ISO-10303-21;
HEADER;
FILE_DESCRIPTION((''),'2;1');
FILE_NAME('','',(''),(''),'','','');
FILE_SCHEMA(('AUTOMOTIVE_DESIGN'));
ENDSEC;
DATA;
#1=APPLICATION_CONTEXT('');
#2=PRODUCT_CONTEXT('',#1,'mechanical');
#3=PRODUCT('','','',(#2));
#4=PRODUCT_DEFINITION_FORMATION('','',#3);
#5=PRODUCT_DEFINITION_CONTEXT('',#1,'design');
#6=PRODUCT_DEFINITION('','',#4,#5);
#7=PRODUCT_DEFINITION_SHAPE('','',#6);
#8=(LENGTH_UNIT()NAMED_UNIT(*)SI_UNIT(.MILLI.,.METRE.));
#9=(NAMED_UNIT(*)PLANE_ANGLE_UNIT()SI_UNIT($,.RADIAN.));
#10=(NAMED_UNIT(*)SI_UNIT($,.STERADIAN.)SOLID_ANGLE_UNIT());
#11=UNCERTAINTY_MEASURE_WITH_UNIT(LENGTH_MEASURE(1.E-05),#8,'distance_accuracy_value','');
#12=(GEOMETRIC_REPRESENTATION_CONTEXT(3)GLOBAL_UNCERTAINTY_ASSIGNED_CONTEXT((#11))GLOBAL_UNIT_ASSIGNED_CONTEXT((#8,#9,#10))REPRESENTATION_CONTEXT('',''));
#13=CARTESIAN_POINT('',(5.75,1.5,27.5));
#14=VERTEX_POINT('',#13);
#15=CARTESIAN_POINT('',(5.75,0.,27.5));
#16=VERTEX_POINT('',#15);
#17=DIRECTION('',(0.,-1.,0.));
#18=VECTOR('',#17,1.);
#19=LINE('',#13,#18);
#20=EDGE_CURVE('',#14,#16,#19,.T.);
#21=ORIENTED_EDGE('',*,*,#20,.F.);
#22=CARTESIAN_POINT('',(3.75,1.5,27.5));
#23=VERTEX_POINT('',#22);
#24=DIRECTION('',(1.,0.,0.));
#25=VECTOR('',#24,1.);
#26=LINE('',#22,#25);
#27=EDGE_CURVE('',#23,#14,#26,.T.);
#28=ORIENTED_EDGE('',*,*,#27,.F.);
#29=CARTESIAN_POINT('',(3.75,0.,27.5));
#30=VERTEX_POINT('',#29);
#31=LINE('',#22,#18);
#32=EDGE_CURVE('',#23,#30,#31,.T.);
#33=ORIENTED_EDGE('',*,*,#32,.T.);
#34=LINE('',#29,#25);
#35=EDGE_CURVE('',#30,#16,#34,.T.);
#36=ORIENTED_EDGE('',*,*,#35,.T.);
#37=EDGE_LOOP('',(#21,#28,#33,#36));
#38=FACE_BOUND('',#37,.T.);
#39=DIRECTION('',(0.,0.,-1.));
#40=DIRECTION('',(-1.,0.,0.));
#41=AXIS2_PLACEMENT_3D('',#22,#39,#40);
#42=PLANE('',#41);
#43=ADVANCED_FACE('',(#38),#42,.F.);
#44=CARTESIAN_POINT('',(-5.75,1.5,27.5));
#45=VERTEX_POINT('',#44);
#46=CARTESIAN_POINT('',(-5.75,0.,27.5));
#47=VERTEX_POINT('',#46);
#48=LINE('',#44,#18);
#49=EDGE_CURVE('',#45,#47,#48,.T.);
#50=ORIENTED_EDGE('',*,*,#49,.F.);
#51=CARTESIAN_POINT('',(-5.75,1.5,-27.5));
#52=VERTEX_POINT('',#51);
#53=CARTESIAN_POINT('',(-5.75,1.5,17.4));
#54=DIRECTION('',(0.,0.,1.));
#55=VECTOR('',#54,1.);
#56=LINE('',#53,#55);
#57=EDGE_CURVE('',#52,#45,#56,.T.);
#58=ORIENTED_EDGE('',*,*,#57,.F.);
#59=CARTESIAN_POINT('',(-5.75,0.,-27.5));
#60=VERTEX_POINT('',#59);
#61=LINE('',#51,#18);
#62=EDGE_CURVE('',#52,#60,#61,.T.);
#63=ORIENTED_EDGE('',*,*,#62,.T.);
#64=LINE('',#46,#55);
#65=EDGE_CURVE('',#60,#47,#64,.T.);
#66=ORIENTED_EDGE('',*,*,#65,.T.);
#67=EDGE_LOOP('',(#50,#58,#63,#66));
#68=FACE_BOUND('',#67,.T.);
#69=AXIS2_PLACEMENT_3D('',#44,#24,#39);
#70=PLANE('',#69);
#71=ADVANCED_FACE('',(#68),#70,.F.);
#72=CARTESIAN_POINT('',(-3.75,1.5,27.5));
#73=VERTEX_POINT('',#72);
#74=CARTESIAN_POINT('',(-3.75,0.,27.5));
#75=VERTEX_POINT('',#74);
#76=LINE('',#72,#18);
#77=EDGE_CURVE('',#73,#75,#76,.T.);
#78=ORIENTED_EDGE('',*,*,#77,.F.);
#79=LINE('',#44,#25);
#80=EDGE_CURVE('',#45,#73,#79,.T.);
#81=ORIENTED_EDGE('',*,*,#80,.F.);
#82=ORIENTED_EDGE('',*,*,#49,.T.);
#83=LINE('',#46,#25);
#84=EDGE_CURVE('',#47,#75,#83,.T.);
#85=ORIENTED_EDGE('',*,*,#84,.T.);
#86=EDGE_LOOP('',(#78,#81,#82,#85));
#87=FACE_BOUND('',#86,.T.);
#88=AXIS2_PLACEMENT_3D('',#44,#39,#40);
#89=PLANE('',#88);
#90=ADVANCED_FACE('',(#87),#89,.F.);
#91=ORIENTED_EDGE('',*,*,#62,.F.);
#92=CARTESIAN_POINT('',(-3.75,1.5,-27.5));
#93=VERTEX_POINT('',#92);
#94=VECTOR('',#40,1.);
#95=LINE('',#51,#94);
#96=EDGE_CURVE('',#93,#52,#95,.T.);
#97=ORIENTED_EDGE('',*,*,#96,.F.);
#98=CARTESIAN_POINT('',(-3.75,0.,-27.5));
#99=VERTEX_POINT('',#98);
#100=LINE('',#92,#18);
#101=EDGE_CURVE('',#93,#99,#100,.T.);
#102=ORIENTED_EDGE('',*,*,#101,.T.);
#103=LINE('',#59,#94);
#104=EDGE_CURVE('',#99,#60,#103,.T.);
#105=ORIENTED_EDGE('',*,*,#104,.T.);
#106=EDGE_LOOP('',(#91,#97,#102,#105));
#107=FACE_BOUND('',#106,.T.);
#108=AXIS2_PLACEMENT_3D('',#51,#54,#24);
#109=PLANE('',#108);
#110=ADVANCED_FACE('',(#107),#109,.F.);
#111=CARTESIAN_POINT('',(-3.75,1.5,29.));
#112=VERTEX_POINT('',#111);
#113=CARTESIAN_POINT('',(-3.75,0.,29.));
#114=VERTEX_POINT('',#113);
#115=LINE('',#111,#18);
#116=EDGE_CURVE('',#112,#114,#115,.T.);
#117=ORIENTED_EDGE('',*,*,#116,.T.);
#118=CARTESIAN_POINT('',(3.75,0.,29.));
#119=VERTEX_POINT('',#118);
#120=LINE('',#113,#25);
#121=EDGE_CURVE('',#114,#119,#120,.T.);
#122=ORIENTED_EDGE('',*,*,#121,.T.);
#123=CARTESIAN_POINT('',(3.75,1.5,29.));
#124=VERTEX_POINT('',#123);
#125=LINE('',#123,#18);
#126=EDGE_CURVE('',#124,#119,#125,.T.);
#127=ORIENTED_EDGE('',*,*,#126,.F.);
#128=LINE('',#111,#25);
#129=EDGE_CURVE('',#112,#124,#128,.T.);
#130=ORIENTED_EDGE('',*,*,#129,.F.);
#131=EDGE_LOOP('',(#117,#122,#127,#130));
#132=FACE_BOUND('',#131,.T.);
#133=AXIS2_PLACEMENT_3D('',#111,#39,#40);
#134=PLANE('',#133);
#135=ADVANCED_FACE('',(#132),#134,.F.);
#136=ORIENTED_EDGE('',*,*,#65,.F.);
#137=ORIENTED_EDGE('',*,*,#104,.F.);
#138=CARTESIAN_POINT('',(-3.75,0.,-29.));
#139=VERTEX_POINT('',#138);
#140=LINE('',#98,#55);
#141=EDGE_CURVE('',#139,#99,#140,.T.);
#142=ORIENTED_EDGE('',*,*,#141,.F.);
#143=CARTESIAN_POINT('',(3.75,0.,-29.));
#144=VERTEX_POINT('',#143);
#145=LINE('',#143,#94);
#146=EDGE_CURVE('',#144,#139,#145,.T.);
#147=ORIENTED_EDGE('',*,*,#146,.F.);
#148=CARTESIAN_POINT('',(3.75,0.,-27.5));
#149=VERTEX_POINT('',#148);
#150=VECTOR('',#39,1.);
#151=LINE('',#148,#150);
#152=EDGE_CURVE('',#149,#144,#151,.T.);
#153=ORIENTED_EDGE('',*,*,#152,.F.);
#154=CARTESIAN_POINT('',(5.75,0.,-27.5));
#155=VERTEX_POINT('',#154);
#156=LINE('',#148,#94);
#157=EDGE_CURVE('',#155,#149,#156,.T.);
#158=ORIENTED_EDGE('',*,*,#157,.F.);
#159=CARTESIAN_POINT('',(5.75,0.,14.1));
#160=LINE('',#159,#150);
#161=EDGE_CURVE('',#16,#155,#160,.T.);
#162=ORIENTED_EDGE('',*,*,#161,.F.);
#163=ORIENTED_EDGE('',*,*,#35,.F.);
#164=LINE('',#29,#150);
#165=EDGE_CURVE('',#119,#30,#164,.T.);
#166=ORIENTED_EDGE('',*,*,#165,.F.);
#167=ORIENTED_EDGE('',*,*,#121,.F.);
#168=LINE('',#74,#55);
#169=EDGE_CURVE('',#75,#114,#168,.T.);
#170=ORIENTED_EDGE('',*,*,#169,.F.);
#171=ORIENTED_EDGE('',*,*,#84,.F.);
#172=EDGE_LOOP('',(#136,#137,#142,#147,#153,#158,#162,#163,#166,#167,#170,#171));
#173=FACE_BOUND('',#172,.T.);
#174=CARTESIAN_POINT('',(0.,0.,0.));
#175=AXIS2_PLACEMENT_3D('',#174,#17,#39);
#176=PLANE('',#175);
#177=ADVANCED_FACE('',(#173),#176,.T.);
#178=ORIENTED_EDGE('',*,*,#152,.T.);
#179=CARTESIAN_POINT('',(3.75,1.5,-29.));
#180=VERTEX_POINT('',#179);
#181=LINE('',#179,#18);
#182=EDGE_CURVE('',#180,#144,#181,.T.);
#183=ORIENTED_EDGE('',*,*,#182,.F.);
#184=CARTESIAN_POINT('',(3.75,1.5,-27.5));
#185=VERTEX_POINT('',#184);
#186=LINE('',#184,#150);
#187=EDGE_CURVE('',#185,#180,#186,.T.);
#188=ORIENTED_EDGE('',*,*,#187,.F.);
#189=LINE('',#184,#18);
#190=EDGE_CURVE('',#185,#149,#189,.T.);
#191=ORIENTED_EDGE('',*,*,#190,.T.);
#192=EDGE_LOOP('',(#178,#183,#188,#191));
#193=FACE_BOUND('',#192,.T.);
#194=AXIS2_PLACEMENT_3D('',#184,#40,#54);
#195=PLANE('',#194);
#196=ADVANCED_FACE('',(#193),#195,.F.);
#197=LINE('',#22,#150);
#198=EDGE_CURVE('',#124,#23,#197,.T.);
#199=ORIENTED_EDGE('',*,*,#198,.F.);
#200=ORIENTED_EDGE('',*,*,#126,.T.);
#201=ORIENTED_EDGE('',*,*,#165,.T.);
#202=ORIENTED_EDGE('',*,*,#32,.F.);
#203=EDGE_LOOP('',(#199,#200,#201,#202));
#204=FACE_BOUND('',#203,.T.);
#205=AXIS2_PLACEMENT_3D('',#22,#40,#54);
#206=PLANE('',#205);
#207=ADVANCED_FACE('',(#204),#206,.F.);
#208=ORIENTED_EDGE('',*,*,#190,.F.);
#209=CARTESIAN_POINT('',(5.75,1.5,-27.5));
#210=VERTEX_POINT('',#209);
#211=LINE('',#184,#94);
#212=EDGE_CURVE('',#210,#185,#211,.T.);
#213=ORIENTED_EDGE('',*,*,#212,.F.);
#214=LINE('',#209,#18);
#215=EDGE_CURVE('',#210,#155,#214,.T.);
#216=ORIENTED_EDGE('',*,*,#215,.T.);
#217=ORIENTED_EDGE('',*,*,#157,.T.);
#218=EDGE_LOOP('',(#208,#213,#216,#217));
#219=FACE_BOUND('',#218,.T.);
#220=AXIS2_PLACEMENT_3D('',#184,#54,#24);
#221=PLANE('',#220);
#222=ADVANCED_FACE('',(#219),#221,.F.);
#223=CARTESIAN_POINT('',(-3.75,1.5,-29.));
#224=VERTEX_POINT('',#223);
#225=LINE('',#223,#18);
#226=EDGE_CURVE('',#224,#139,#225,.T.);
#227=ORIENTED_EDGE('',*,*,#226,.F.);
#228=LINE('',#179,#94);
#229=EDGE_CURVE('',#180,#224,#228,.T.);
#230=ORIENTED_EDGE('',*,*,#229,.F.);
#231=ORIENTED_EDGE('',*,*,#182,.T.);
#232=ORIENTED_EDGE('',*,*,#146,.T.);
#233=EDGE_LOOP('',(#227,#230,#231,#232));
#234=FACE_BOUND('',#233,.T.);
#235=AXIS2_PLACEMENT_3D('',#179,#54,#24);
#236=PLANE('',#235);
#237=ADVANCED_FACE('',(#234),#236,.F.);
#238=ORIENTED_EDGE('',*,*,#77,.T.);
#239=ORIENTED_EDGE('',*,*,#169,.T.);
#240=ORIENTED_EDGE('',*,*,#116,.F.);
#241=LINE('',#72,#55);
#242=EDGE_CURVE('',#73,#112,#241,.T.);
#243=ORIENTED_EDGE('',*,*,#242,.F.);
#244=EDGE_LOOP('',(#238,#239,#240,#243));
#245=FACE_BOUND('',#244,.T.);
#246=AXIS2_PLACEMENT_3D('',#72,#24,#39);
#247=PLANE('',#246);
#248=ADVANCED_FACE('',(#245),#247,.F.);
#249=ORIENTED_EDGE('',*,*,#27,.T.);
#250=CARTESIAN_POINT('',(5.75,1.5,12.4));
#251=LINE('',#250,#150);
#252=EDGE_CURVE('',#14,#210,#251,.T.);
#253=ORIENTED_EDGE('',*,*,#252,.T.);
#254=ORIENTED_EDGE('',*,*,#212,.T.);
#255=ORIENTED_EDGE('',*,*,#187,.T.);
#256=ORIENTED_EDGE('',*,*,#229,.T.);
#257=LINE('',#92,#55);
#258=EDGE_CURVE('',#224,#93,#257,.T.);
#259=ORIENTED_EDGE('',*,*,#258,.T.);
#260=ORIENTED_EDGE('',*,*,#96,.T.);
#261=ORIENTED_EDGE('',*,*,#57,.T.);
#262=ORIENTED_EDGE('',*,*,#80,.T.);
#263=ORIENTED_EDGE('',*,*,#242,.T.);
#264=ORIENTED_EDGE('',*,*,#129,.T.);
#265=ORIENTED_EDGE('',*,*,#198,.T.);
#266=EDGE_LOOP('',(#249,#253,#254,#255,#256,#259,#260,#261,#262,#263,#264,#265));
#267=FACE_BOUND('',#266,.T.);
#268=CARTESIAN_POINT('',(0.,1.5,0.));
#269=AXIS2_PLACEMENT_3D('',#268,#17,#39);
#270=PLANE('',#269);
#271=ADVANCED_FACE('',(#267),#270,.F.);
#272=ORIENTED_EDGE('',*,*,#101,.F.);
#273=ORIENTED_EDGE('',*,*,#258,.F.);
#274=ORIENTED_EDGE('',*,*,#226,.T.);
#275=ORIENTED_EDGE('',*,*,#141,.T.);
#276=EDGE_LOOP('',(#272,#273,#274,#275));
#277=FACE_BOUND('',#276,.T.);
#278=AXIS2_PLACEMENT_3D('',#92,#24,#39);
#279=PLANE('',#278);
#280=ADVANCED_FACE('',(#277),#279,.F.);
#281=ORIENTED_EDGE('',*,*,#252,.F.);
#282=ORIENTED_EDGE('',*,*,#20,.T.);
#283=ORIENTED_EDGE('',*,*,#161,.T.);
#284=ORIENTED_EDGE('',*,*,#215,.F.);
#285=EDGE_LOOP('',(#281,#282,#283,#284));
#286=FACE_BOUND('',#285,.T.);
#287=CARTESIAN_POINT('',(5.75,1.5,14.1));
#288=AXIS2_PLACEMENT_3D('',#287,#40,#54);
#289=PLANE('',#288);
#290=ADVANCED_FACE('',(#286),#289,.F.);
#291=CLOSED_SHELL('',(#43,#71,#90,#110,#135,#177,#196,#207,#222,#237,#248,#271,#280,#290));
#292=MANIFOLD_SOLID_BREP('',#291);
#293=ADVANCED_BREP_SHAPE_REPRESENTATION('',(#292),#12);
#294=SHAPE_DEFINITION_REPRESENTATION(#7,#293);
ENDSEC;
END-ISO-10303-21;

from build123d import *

# Parameters (mm, degrees)
BOSS_EXTRUDE1_DEPTH = 1.5


with BuildPart() as part:
    # Sketch1 → Boss-Extrude1 (new body)
    with BuildSketch(Plane(origin=(0, 0, 0), x_dir=(1, 0, 0), z_dir=(0, 1, 0))):
        Polygon((3.75, 27.5), (5.75, 27.5), (5.75, -12.4), (5.75, -14.1), (5.75, -27.5), (3.75, -27.5), (3.75, -29), (-3.75, -29), (-3.75, -27.5), (-5.75, -27.5), (-5.75, -19.1), (-5.75, -17.4), (-5.75, 27.5), (-3.75, 27.5), (-3.75, 29), (3.75, 29), align=None)
    extrude(amount=BOSS_EXTRUDE1_DEPTH)


solid = part.part
